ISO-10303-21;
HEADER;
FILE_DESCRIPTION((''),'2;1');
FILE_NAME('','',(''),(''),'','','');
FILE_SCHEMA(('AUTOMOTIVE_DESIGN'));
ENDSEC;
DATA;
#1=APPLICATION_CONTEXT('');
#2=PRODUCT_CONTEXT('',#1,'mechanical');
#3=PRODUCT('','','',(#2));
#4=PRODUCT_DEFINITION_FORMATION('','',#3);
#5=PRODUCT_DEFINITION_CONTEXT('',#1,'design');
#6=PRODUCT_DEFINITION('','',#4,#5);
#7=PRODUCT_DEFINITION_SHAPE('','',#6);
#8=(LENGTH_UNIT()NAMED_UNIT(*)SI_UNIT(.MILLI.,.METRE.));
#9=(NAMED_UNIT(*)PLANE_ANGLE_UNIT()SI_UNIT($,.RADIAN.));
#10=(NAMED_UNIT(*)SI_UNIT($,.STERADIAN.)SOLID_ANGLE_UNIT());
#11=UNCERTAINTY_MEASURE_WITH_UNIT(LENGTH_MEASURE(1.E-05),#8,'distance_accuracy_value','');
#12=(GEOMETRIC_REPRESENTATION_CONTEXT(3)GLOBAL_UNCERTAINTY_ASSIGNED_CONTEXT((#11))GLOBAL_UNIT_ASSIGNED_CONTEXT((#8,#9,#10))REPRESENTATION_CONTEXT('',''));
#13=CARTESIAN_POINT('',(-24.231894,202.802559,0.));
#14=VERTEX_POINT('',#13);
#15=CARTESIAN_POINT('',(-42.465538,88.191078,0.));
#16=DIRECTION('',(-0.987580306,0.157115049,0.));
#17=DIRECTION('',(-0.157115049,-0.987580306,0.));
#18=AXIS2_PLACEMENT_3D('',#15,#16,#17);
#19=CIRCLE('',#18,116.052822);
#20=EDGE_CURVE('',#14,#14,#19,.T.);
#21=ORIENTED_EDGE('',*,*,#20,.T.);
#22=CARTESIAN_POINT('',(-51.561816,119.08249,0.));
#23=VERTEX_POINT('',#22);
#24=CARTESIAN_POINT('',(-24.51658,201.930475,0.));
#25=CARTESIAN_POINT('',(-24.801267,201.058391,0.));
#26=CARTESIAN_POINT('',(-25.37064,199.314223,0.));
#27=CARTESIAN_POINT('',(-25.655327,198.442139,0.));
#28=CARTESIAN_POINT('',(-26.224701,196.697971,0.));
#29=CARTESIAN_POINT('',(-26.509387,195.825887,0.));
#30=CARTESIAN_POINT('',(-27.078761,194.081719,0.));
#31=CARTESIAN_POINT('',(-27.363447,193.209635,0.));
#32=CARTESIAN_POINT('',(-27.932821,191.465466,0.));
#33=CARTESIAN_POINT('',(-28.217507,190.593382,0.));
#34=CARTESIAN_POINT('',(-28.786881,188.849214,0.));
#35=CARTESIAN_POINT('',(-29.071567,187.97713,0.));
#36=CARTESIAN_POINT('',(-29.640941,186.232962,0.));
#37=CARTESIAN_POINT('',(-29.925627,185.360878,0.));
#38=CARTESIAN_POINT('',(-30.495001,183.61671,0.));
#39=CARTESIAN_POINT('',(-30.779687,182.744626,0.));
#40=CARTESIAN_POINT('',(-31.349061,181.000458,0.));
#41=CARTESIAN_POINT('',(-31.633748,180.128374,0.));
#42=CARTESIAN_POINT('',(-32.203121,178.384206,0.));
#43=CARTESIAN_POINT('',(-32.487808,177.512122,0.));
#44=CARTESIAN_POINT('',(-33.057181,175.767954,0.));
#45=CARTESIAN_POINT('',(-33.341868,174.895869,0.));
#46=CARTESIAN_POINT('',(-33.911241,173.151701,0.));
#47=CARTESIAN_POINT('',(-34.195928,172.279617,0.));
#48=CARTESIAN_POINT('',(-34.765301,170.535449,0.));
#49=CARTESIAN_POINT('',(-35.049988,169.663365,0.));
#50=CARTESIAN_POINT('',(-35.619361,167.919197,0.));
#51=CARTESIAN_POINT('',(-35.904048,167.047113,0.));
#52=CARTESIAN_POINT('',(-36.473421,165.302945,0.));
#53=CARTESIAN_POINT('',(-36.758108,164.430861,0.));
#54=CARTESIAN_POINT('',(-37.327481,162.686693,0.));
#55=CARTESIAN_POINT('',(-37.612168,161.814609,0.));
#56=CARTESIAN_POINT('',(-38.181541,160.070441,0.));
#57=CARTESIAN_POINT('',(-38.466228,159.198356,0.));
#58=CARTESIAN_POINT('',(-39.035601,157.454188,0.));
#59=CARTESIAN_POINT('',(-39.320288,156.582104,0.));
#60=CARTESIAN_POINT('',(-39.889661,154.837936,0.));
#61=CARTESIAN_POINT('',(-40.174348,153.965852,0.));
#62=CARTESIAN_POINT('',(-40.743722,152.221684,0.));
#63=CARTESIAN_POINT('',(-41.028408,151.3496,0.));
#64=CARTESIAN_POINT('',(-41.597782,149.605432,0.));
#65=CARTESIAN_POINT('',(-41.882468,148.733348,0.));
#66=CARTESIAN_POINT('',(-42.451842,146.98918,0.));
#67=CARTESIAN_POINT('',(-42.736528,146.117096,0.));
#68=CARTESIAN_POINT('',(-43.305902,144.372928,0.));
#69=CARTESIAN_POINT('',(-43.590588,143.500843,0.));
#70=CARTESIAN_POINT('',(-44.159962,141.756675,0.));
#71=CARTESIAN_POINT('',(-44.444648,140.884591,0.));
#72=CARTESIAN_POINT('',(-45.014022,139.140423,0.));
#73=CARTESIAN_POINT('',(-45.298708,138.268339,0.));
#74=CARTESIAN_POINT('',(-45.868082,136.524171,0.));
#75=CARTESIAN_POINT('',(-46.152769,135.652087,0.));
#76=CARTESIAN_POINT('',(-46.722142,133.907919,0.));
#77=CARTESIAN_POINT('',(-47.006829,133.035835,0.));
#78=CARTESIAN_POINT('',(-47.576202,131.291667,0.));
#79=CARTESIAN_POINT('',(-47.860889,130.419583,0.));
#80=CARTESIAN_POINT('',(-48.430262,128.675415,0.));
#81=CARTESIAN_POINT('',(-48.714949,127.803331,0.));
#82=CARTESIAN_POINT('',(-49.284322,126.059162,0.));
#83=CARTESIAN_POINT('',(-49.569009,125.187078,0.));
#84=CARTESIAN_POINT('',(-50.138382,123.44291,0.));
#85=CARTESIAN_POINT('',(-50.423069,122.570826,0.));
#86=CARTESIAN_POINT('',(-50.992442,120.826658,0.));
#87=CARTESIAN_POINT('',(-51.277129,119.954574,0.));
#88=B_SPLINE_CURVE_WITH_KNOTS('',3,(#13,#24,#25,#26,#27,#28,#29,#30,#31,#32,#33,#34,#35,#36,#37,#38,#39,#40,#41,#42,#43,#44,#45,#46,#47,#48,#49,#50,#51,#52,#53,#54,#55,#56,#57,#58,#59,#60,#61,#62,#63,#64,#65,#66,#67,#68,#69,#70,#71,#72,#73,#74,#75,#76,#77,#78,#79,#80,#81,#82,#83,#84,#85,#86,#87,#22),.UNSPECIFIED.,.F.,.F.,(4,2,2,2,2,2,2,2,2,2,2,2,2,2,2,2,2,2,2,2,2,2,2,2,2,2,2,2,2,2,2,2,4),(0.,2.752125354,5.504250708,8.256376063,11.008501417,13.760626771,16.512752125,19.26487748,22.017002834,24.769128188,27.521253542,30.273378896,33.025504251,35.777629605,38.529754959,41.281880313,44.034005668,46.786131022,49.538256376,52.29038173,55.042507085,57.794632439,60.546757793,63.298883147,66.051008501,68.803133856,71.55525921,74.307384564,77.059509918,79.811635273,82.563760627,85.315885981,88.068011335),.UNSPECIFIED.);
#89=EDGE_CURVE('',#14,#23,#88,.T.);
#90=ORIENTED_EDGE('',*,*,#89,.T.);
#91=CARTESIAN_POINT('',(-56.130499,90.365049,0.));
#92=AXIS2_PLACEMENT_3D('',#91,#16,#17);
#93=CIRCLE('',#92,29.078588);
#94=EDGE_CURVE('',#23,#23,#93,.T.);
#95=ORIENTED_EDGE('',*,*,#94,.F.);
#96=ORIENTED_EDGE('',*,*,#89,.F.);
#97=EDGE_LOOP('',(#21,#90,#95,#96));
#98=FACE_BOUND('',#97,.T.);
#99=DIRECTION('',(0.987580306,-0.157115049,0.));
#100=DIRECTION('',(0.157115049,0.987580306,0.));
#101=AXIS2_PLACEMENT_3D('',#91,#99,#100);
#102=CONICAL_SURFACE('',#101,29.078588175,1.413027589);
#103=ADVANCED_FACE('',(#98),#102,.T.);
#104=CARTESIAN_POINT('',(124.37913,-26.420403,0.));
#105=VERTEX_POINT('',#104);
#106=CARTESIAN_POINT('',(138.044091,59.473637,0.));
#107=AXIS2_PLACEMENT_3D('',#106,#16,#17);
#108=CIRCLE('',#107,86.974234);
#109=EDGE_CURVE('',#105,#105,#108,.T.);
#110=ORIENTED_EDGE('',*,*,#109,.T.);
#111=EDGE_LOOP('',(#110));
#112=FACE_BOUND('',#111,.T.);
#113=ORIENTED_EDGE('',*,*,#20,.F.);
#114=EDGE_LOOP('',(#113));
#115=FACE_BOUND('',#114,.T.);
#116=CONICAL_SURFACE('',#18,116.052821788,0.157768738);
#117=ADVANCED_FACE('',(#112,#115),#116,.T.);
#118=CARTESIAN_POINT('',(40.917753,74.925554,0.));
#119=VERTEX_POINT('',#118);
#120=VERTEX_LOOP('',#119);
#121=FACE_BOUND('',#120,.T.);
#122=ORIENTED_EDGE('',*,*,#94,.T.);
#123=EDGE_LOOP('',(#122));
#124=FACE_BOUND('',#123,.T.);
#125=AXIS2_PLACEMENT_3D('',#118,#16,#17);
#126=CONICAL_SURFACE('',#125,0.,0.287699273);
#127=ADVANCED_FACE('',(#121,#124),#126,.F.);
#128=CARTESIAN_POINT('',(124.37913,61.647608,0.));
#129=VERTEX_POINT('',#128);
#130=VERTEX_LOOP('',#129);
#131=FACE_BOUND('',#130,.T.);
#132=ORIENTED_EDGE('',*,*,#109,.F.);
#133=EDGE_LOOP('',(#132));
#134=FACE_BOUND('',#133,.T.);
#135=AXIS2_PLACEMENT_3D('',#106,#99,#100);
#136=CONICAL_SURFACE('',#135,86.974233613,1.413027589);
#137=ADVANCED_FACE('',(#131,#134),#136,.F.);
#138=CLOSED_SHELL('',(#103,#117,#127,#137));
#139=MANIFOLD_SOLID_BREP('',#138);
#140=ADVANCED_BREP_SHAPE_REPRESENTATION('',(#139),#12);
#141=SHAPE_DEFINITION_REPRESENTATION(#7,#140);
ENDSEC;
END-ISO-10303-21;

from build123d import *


with BuildPart() as part:
    # Sketch1 → Revolve2 (revolve)
    with BuildSketch(Plane.XY):
        Polygon((-60.699183197, -21.000833472), (-60.699183197, 61.647607935), (40.917752959, 74.925554259), (124.379129855, 61.647607935), (124.379129855, -26.420403401), (-60.699183197, -26.420403401), align=None)
    revolve(axis=Axis((40.917752959, 74.925554259, 0), (0.9875803063351138, -0.15711504873513185, 0)))


solid = part.part
